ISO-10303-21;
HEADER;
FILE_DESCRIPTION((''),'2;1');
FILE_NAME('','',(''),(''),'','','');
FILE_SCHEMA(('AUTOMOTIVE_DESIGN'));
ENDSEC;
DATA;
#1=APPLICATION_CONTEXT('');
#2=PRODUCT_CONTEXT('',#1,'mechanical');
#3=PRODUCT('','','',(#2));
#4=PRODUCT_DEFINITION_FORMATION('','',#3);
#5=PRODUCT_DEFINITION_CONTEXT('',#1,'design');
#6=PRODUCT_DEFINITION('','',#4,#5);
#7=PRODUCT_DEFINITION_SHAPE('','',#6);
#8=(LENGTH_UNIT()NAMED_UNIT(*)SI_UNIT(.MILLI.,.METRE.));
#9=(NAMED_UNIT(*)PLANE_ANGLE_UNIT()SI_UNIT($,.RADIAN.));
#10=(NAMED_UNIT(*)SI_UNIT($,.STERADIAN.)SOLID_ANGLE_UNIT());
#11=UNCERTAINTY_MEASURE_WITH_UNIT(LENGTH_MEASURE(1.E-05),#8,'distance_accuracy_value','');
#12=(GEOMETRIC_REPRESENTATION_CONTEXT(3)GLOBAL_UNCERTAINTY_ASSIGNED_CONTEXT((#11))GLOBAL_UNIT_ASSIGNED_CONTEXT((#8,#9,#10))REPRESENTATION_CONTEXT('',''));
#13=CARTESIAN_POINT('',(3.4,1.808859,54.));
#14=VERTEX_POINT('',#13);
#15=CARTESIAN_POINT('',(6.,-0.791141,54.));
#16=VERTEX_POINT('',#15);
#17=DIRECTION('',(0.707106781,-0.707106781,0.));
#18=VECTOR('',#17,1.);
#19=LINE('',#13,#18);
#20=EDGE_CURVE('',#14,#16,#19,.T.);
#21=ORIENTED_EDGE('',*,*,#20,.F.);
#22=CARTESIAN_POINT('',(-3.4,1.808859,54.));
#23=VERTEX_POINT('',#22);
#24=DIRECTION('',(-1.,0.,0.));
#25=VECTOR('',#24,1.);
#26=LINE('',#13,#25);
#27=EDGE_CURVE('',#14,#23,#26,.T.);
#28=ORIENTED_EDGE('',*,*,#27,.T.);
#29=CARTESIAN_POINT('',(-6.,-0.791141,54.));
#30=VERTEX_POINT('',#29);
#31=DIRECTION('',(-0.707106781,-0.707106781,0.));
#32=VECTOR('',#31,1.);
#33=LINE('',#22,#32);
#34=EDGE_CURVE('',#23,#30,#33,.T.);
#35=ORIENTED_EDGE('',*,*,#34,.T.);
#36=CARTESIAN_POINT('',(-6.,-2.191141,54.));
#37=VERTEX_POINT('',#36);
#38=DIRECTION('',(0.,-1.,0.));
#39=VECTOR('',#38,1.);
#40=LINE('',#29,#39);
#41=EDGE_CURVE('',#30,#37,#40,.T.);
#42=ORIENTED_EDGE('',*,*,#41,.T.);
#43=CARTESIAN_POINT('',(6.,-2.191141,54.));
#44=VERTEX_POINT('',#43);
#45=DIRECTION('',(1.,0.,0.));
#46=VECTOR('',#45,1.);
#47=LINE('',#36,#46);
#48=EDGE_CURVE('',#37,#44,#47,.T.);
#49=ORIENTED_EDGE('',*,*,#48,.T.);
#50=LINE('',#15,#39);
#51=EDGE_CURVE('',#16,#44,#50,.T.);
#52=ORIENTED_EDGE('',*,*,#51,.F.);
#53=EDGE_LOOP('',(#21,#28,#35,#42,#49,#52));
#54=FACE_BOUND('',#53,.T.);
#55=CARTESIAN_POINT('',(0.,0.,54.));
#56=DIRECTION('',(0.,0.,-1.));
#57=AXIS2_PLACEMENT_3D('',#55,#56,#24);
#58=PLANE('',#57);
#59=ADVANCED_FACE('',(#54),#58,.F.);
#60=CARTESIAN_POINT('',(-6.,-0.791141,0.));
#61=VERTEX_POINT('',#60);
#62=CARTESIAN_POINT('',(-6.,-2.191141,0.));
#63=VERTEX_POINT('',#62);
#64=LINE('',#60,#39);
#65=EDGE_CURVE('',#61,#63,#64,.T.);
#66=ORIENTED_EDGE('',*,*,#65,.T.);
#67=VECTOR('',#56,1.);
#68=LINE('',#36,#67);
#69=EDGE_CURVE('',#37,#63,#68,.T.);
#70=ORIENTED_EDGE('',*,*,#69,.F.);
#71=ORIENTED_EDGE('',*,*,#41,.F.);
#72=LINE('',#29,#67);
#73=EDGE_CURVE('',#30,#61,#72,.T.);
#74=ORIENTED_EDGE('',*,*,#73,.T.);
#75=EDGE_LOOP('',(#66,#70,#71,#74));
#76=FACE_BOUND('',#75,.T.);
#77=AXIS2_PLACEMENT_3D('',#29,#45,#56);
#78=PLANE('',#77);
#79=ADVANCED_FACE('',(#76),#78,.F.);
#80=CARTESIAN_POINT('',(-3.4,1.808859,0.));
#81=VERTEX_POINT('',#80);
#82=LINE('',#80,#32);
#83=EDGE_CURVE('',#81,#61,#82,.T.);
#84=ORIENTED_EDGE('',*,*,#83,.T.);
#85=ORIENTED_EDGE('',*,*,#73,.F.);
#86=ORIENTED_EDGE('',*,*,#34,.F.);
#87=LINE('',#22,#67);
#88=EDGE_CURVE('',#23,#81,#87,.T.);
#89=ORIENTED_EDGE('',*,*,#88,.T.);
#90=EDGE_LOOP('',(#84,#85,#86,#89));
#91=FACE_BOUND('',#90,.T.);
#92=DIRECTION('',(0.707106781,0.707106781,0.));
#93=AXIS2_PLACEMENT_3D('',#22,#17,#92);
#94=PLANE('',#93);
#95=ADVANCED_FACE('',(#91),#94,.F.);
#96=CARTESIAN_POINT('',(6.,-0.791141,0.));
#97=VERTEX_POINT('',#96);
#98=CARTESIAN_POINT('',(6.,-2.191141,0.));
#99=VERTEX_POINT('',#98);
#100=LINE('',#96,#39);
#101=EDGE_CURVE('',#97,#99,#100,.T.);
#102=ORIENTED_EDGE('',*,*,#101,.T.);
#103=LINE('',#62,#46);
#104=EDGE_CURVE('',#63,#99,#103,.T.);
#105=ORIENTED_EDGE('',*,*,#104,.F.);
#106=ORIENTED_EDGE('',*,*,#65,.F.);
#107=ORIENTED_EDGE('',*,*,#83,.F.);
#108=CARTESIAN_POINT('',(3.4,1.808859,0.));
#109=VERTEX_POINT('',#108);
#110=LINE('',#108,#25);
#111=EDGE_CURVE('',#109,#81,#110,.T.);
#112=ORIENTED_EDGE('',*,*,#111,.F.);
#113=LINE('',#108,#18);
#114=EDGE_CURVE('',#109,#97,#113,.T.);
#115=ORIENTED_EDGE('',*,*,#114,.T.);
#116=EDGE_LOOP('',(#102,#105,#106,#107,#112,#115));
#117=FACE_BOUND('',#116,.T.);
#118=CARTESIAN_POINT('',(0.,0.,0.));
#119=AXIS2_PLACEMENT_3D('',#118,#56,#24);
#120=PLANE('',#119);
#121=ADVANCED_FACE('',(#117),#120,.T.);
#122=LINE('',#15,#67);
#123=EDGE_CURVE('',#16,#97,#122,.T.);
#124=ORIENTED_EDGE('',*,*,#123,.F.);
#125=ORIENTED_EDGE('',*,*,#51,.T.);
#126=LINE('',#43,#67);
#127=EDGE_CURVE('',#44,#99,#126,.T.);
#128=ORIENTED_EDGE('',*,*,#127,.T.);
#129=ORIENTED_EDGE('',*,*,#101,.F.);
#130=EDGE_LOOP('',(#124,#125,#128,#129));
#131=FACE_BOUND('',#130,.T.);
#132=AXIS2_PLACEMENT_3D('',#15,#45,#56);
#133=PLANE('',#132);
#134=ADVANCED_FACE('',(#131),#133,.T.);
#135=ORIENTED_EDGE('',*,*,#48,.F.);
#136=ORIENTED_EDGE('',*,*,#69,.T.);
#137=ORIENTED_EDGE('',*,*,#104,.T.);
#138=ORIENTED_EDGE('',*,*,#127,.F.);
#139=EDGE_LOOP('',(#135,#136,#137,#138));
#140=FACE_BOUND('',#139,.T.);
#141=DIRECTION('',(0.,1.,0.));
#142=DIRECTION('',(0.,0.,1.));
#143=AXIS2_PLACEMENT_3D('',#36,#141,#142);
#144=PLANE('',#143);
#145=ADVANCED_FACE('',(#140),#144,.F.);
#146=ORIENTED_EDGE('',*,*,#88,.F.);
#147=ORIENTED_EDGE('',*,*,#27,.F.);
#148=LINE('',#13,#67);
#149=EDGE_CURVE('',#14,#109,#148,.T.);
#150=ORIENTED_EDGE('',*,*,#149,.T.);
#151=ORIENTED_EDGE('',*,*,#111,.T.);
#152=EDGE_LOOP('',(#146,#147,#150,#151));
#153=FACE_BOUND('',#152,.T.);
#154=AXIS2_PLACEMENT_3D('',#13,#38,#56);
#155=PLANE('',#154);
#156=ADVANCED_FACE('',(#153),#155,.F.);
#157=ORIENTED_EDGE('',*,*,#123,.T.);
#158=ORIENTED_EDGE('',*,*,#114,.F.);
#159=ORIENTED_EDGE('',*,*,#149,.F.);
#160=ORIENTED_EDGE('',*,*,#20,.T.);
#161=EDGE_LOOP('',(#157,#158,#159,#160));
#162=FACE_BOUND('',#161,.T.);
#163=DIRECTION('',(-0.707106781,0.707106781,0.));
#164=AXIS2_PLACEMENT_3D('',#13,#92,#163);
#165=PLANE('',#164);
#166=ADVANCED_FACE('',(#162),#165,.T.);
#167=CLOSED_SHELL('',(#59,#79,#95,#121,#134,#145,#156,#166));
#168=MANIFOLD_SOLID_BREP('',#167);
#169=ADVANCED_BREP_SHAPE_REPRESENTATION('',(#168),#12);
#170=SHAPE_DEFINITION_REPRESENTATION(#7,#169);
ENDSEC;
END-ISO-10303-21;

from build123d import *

# Parameters (mm, degrees)
AUFSATZ_LINEAR_AUSTRAGEN1_DEPTH = 54


with BuildPart() as part:
    # Skizze1 → Aufsatz-Linear austragen1 (new body)
    with BuildSketch(Plane.XY):
        Polygon((3.4, 1.808858787), (-3.4, 1.808858787), (-6, -0.791141213), (-6, -2.191141213), (6, -2.191141213), (6, -0.791141213), align=None)
    extrude(amount=AUFSATZ_LINEAR_AUSTRAGEN1_DEPTH)


solid = part.part
